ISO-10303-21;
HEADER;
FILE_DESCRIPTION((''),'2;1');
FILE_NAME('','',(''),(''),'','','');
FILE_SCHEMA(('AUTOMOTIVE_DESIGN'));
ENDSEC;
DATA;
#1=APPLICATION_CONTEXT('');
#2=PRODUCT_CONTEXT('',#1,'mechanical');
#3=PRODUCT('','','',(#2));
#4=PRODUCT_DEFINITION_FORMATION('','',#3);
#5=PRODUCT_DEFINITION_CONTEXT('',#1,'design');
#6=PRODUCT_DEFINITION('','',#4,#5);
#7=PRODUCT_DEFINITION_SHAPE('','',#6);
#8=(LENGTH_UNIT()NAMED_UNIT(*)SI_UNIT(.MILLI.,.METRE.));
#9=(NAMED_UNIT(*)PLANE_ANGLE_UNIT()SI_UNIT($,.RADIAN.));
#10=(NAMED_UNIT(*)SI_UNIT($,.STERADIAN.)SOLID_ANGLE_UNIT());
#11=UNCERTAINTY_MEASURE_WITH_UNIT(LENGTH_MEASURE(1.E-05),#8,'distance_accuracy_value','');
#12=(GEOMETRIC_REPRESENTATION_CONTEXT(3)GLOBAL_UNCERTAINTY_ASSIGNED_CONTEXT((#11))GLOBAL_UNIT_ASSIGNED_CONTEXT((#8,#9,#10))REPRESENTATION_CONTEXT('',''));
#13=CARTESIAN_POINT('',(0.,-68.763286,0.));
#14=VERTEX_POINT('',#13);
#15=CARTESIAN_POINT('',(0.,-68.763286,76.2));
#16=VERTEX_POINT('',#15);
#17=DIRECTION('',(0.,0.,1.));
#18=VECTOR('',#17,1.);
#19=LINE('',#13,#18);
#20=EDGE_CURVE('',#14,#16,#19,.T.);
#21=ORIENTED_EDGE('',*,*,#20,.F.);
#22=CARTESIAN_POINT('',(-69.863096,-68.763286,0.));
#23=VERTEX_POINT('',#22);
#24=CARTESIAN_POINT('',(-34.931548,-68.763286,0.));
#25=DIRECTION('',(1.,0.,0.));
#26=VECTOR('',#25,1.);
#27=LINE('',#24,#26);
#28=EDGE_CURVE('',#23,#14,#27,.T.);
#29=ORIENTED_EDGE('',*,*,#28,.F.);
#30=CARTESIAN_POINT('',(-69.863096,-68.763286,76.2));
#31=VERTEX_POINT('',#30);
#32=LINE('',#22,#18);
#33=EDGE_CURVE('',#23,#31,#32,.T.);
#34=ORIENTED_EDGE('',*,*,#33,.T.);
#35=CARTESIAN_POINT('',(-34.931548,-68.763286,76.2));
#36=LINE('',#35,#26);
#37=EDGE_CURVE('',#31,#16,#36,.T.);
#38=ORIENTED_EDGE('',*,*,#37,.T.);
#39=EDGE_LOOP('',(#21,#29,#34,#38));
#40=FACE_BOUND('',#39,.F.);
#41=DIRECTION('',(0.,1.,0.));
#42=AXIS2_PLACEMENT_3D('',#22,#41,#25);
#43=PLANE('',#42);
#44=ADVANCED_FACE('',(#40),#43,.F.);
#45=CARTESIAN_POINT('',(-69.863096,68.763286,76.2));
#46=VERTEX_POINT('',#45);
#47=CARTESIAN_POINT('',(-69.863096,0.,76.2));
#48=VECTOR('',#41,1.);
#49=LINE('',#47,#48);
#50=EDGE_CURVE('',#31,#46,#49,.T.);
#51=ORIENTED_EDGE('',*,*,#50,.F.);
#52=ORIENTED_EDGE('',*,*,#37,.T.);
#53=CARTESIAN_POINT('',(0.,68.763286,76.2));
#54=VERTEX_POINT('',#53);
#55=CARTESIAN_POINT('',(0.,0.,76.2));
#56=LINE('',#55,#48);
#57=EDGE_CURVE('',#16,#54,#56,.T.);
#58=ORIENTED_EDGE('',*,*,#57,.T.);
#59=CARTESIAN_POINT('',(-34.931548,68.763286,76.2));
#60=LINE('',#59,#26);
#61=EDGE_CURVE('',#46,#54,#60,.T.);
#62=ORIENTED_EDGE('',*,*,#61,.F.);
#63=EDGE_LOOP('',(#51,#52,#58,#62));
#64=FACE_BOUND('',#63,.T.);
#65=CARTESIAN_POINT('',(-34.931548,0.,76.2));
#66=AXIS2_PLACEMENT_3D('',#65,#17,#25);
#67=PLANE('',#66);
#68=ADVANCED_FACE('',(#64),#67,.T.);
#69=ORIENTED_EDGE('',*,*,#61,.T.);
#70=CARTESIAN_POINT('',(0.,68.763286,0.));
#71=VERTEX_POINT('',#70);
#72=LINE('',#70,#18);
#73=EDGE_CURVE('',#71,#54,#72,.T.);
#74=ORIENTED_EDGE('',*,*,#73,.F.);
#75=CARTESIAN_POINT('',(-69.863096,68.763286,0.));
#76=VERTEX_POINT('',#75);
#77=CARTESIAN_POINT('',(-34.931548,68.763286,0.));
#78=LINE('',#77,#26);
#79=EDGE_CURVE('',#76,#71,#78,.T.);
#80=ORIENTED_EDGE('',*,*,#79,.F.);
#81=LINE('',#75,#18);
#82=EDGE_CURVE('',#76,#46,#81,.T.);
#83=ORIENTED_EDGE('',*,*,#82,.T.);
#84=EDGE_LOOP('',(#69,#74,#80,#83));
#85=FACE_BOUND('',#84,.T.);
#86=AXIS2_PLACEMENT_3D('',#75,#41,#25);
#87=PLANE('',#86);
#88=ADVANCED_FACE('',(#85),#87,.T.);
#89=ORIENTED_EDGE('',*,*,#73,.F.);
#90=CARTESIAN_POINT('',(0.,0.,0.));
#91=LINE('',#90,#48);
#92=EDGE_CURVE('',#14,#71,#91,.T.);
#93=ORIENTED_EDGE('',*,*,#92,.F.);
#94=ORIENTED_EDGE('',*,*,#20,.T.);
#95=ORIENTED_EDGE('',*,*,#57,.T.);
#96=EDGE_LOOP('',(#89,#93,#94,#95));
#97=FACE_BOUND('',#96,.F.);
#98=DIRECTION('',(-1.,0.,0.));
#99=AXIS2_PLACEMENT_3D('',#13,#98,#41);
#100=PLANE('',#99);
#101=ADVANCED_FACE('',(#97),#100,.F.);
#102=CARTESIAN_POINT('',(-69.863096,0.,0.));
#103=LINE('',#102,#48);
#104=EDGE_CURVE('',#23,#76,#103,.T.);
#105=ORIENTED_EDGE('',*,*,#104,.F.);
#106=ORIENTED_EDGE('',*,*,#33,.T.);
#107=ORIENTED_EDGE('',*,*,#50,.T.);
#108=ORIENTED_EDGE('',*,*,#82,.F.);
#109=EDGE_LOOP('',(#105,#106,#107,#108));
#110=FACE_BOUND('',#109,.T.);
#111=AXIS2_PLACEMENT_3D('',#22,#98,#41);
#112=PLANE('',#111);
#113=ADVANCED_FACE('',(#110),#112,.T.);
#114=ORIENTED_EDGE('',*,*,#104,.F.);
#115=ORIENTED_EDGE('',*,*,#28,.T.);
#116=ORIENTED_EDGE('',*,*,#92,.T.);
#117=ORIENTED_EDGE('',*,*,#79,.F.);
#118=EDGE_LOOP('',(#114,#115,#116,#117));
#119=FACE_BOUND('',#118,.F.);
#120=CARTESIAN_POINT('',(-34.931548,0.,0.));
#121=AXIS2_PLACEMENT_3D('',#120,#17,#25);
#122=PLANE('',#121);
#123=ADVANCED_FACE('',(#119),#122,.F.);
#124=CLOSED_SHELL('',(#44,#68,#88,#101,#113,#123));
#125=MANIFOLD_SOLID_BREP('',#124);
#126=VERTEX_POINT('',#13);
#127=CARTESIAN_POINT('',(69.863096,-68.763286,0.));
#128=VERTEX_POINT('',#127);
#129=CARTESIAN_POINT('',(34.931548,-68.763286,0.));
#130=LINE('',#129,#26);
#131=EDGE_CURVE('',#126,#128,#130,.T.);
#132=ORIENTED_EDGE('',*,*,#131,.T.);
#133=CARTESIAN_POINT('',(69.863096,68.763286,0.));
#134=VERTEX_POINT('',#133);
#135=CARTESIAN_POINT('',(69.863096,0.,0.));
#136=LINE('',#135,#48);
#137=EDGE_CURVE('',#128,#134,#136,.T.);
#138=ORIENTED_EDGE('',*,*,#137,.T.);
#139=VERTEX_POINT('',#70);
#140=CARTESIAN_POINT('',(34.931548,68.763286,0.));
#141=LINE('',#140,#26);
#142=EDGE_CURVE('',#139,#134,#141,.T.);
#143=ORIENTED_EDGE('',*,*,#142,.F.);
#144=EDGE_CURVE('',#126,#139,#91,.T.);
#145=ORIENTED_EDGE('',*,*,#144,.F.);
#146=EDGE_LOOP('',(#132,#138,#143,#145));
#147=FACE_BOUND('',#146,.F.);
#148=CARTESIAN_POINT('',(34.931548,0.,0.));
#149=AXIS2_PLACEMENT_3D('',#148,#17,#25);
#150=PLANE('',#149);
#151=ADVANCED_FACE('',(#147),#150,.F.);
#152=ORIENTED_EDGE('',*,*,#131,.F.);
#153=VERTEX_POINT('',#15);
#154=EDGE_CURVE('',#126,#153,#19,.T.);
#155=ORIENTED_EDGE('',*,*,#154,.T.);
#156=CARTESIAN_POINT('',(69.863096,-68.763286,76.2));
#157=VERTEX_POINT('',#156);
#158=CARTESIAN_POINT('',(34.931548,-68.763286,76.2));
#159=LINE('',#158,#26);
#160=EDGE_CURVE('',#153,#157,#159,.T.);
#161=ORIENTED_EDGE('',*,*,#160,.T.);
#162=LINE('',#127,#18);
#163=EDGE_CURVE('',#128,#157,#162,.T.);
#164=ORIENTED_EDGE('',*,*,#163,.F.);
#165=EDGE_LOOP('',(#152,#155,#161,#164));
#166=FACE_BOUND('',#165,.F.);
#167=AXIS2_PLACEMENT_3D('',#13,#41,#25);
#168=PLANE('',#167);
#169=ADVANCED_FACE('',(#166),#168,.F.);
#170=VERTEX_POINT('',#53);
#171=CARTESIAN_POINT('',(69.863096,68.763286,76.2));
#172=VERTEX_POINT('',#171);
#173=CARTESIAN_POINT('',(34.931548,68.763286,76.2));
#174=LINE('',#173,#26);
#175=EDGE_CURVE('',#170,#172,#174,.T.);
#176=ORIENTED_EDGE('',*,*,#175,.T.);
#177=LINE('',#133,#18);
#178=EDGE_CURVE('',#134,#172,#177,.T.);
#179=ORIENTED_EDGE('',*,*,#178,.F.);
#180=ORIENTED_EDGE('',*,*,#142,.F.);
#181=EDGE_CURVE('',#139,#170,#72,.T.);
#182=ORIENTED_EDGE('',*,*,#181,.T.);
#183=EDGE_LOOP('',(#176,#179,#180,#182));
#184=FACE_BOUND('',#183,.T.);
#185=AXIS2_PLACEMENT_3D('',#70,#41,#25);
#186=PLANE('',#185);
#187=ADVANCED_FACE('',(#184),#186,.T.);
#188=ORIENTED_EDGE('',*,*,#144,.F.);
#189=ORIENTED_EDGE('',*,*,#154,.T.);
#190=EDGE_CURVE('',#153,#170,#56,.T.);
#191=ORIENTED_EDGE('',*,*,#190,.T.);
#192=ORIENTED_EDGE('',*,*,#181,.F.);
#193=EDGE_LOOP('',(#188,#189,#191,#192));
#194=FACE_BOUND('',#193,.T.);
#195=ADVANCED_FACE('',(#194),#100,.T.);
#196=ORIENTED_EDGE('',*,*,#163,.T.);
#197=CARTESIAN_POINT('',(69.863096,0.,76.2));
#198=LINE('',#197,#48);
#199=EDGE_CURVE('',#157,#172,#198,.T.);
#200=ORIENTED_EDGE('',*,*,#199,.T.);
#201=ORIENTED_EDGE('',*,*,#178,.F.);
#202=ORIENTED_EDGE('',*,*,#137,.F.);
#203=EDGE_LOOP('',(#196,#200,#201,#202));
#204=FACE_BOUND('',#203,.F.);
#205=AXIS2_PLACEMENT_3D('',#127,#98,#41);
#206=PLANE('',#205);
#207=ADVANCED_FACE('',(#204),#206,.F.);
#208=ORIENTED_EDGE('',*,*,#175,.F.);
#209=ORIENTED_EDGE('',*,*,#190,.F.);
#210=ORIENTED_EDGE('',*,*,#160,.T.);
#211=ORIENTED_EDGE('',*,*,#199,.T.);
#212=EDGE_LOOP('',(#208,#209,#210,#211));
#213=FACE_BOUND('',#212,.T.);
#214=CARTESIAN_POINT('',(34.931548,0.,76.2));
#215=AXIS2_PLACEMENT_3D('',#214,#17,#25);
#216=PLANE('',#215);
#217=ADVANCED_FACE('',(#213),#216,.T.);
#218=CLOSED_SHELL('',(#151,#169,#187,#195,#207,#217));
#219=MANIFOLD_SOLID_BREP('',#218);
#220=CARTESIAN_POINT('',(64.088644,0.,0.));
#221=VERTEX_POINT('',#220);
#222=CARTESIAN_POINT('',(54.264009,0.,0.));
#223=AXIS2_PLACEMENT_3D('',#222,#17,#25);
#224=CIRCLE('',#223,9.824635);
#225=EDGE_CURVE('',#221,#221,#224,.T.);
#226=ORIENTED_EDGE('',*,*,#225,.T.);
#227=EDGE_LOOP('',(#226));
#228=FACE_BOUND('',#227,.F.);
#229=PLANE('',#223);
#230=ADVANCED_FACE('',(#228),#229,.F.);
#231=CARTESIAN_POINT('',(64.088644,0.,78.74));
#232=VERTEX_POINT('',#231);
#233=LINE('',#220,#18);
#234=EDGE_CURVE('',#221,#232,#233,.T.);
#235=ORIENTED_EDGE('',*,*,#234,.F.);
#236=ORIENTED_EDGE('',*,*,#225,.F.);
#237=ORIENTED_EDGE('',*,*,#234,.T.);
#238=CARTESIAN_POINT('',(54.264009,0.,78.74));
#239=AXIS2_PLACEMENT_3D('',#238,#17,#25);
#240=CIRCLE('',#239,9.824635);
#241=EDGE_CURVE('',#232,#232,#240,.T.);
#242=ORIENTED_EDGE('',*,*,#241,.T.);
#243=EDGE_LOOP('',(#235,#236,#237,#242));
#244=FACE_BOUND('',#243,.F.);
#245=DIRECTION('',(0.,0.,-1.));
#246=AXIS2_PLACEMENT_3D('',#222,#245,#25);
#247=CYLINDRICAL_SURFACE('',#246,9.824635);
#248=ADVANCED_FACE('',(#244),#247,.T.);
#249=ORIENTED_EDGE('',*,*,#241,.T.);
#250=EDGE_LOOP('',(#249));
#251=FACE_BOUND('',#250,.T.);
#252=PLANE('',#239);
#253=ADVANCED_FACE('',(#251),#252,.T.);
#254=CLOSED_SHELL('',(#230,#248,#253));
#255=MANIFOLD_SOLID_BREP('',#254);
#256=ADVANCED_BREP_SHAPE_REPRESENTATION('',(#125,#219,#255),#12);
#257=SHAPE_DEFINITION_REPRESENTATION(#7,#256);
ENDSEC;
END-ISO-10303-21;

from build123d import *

# Parameters (mm, degrees)
F0_W     = 69.863096
F0_H     = 137.526572
F2_DEPTH = 76.2
F1_R     = 9.824635
F3_DEPTH = 78.74
F4_DEPTH = 76.2


with BuildPart() as f2:
    # F0 (on Top) → F2 (new body)
    with BuildSketch(Plane.XY):
        with Locations((-34.931548, 0)):
            Rectangle(F0_W, F0_H)
    extrude(amount=F2_DEPTH)


with BuildPart() as f3:
    # F1 (on Top) → F3 (new body)
    with BuildSketch(Plane.XY):
        with Locations((54.264009, 0)):
            Circle(F1_R)
    extrude(amount=F3_DEPTH)


with BuildPart() as f4:
    # F0 (on Top) → F4 (new body)
    with BuildSketch(Plane.XY):
        with Locations((34.931548, 0)):
            Rectangle(F0_W, F0_H)
    extrude(amount=F4_DEPTH)


solid = Compound([f2.part, f3.part, f4.part])
